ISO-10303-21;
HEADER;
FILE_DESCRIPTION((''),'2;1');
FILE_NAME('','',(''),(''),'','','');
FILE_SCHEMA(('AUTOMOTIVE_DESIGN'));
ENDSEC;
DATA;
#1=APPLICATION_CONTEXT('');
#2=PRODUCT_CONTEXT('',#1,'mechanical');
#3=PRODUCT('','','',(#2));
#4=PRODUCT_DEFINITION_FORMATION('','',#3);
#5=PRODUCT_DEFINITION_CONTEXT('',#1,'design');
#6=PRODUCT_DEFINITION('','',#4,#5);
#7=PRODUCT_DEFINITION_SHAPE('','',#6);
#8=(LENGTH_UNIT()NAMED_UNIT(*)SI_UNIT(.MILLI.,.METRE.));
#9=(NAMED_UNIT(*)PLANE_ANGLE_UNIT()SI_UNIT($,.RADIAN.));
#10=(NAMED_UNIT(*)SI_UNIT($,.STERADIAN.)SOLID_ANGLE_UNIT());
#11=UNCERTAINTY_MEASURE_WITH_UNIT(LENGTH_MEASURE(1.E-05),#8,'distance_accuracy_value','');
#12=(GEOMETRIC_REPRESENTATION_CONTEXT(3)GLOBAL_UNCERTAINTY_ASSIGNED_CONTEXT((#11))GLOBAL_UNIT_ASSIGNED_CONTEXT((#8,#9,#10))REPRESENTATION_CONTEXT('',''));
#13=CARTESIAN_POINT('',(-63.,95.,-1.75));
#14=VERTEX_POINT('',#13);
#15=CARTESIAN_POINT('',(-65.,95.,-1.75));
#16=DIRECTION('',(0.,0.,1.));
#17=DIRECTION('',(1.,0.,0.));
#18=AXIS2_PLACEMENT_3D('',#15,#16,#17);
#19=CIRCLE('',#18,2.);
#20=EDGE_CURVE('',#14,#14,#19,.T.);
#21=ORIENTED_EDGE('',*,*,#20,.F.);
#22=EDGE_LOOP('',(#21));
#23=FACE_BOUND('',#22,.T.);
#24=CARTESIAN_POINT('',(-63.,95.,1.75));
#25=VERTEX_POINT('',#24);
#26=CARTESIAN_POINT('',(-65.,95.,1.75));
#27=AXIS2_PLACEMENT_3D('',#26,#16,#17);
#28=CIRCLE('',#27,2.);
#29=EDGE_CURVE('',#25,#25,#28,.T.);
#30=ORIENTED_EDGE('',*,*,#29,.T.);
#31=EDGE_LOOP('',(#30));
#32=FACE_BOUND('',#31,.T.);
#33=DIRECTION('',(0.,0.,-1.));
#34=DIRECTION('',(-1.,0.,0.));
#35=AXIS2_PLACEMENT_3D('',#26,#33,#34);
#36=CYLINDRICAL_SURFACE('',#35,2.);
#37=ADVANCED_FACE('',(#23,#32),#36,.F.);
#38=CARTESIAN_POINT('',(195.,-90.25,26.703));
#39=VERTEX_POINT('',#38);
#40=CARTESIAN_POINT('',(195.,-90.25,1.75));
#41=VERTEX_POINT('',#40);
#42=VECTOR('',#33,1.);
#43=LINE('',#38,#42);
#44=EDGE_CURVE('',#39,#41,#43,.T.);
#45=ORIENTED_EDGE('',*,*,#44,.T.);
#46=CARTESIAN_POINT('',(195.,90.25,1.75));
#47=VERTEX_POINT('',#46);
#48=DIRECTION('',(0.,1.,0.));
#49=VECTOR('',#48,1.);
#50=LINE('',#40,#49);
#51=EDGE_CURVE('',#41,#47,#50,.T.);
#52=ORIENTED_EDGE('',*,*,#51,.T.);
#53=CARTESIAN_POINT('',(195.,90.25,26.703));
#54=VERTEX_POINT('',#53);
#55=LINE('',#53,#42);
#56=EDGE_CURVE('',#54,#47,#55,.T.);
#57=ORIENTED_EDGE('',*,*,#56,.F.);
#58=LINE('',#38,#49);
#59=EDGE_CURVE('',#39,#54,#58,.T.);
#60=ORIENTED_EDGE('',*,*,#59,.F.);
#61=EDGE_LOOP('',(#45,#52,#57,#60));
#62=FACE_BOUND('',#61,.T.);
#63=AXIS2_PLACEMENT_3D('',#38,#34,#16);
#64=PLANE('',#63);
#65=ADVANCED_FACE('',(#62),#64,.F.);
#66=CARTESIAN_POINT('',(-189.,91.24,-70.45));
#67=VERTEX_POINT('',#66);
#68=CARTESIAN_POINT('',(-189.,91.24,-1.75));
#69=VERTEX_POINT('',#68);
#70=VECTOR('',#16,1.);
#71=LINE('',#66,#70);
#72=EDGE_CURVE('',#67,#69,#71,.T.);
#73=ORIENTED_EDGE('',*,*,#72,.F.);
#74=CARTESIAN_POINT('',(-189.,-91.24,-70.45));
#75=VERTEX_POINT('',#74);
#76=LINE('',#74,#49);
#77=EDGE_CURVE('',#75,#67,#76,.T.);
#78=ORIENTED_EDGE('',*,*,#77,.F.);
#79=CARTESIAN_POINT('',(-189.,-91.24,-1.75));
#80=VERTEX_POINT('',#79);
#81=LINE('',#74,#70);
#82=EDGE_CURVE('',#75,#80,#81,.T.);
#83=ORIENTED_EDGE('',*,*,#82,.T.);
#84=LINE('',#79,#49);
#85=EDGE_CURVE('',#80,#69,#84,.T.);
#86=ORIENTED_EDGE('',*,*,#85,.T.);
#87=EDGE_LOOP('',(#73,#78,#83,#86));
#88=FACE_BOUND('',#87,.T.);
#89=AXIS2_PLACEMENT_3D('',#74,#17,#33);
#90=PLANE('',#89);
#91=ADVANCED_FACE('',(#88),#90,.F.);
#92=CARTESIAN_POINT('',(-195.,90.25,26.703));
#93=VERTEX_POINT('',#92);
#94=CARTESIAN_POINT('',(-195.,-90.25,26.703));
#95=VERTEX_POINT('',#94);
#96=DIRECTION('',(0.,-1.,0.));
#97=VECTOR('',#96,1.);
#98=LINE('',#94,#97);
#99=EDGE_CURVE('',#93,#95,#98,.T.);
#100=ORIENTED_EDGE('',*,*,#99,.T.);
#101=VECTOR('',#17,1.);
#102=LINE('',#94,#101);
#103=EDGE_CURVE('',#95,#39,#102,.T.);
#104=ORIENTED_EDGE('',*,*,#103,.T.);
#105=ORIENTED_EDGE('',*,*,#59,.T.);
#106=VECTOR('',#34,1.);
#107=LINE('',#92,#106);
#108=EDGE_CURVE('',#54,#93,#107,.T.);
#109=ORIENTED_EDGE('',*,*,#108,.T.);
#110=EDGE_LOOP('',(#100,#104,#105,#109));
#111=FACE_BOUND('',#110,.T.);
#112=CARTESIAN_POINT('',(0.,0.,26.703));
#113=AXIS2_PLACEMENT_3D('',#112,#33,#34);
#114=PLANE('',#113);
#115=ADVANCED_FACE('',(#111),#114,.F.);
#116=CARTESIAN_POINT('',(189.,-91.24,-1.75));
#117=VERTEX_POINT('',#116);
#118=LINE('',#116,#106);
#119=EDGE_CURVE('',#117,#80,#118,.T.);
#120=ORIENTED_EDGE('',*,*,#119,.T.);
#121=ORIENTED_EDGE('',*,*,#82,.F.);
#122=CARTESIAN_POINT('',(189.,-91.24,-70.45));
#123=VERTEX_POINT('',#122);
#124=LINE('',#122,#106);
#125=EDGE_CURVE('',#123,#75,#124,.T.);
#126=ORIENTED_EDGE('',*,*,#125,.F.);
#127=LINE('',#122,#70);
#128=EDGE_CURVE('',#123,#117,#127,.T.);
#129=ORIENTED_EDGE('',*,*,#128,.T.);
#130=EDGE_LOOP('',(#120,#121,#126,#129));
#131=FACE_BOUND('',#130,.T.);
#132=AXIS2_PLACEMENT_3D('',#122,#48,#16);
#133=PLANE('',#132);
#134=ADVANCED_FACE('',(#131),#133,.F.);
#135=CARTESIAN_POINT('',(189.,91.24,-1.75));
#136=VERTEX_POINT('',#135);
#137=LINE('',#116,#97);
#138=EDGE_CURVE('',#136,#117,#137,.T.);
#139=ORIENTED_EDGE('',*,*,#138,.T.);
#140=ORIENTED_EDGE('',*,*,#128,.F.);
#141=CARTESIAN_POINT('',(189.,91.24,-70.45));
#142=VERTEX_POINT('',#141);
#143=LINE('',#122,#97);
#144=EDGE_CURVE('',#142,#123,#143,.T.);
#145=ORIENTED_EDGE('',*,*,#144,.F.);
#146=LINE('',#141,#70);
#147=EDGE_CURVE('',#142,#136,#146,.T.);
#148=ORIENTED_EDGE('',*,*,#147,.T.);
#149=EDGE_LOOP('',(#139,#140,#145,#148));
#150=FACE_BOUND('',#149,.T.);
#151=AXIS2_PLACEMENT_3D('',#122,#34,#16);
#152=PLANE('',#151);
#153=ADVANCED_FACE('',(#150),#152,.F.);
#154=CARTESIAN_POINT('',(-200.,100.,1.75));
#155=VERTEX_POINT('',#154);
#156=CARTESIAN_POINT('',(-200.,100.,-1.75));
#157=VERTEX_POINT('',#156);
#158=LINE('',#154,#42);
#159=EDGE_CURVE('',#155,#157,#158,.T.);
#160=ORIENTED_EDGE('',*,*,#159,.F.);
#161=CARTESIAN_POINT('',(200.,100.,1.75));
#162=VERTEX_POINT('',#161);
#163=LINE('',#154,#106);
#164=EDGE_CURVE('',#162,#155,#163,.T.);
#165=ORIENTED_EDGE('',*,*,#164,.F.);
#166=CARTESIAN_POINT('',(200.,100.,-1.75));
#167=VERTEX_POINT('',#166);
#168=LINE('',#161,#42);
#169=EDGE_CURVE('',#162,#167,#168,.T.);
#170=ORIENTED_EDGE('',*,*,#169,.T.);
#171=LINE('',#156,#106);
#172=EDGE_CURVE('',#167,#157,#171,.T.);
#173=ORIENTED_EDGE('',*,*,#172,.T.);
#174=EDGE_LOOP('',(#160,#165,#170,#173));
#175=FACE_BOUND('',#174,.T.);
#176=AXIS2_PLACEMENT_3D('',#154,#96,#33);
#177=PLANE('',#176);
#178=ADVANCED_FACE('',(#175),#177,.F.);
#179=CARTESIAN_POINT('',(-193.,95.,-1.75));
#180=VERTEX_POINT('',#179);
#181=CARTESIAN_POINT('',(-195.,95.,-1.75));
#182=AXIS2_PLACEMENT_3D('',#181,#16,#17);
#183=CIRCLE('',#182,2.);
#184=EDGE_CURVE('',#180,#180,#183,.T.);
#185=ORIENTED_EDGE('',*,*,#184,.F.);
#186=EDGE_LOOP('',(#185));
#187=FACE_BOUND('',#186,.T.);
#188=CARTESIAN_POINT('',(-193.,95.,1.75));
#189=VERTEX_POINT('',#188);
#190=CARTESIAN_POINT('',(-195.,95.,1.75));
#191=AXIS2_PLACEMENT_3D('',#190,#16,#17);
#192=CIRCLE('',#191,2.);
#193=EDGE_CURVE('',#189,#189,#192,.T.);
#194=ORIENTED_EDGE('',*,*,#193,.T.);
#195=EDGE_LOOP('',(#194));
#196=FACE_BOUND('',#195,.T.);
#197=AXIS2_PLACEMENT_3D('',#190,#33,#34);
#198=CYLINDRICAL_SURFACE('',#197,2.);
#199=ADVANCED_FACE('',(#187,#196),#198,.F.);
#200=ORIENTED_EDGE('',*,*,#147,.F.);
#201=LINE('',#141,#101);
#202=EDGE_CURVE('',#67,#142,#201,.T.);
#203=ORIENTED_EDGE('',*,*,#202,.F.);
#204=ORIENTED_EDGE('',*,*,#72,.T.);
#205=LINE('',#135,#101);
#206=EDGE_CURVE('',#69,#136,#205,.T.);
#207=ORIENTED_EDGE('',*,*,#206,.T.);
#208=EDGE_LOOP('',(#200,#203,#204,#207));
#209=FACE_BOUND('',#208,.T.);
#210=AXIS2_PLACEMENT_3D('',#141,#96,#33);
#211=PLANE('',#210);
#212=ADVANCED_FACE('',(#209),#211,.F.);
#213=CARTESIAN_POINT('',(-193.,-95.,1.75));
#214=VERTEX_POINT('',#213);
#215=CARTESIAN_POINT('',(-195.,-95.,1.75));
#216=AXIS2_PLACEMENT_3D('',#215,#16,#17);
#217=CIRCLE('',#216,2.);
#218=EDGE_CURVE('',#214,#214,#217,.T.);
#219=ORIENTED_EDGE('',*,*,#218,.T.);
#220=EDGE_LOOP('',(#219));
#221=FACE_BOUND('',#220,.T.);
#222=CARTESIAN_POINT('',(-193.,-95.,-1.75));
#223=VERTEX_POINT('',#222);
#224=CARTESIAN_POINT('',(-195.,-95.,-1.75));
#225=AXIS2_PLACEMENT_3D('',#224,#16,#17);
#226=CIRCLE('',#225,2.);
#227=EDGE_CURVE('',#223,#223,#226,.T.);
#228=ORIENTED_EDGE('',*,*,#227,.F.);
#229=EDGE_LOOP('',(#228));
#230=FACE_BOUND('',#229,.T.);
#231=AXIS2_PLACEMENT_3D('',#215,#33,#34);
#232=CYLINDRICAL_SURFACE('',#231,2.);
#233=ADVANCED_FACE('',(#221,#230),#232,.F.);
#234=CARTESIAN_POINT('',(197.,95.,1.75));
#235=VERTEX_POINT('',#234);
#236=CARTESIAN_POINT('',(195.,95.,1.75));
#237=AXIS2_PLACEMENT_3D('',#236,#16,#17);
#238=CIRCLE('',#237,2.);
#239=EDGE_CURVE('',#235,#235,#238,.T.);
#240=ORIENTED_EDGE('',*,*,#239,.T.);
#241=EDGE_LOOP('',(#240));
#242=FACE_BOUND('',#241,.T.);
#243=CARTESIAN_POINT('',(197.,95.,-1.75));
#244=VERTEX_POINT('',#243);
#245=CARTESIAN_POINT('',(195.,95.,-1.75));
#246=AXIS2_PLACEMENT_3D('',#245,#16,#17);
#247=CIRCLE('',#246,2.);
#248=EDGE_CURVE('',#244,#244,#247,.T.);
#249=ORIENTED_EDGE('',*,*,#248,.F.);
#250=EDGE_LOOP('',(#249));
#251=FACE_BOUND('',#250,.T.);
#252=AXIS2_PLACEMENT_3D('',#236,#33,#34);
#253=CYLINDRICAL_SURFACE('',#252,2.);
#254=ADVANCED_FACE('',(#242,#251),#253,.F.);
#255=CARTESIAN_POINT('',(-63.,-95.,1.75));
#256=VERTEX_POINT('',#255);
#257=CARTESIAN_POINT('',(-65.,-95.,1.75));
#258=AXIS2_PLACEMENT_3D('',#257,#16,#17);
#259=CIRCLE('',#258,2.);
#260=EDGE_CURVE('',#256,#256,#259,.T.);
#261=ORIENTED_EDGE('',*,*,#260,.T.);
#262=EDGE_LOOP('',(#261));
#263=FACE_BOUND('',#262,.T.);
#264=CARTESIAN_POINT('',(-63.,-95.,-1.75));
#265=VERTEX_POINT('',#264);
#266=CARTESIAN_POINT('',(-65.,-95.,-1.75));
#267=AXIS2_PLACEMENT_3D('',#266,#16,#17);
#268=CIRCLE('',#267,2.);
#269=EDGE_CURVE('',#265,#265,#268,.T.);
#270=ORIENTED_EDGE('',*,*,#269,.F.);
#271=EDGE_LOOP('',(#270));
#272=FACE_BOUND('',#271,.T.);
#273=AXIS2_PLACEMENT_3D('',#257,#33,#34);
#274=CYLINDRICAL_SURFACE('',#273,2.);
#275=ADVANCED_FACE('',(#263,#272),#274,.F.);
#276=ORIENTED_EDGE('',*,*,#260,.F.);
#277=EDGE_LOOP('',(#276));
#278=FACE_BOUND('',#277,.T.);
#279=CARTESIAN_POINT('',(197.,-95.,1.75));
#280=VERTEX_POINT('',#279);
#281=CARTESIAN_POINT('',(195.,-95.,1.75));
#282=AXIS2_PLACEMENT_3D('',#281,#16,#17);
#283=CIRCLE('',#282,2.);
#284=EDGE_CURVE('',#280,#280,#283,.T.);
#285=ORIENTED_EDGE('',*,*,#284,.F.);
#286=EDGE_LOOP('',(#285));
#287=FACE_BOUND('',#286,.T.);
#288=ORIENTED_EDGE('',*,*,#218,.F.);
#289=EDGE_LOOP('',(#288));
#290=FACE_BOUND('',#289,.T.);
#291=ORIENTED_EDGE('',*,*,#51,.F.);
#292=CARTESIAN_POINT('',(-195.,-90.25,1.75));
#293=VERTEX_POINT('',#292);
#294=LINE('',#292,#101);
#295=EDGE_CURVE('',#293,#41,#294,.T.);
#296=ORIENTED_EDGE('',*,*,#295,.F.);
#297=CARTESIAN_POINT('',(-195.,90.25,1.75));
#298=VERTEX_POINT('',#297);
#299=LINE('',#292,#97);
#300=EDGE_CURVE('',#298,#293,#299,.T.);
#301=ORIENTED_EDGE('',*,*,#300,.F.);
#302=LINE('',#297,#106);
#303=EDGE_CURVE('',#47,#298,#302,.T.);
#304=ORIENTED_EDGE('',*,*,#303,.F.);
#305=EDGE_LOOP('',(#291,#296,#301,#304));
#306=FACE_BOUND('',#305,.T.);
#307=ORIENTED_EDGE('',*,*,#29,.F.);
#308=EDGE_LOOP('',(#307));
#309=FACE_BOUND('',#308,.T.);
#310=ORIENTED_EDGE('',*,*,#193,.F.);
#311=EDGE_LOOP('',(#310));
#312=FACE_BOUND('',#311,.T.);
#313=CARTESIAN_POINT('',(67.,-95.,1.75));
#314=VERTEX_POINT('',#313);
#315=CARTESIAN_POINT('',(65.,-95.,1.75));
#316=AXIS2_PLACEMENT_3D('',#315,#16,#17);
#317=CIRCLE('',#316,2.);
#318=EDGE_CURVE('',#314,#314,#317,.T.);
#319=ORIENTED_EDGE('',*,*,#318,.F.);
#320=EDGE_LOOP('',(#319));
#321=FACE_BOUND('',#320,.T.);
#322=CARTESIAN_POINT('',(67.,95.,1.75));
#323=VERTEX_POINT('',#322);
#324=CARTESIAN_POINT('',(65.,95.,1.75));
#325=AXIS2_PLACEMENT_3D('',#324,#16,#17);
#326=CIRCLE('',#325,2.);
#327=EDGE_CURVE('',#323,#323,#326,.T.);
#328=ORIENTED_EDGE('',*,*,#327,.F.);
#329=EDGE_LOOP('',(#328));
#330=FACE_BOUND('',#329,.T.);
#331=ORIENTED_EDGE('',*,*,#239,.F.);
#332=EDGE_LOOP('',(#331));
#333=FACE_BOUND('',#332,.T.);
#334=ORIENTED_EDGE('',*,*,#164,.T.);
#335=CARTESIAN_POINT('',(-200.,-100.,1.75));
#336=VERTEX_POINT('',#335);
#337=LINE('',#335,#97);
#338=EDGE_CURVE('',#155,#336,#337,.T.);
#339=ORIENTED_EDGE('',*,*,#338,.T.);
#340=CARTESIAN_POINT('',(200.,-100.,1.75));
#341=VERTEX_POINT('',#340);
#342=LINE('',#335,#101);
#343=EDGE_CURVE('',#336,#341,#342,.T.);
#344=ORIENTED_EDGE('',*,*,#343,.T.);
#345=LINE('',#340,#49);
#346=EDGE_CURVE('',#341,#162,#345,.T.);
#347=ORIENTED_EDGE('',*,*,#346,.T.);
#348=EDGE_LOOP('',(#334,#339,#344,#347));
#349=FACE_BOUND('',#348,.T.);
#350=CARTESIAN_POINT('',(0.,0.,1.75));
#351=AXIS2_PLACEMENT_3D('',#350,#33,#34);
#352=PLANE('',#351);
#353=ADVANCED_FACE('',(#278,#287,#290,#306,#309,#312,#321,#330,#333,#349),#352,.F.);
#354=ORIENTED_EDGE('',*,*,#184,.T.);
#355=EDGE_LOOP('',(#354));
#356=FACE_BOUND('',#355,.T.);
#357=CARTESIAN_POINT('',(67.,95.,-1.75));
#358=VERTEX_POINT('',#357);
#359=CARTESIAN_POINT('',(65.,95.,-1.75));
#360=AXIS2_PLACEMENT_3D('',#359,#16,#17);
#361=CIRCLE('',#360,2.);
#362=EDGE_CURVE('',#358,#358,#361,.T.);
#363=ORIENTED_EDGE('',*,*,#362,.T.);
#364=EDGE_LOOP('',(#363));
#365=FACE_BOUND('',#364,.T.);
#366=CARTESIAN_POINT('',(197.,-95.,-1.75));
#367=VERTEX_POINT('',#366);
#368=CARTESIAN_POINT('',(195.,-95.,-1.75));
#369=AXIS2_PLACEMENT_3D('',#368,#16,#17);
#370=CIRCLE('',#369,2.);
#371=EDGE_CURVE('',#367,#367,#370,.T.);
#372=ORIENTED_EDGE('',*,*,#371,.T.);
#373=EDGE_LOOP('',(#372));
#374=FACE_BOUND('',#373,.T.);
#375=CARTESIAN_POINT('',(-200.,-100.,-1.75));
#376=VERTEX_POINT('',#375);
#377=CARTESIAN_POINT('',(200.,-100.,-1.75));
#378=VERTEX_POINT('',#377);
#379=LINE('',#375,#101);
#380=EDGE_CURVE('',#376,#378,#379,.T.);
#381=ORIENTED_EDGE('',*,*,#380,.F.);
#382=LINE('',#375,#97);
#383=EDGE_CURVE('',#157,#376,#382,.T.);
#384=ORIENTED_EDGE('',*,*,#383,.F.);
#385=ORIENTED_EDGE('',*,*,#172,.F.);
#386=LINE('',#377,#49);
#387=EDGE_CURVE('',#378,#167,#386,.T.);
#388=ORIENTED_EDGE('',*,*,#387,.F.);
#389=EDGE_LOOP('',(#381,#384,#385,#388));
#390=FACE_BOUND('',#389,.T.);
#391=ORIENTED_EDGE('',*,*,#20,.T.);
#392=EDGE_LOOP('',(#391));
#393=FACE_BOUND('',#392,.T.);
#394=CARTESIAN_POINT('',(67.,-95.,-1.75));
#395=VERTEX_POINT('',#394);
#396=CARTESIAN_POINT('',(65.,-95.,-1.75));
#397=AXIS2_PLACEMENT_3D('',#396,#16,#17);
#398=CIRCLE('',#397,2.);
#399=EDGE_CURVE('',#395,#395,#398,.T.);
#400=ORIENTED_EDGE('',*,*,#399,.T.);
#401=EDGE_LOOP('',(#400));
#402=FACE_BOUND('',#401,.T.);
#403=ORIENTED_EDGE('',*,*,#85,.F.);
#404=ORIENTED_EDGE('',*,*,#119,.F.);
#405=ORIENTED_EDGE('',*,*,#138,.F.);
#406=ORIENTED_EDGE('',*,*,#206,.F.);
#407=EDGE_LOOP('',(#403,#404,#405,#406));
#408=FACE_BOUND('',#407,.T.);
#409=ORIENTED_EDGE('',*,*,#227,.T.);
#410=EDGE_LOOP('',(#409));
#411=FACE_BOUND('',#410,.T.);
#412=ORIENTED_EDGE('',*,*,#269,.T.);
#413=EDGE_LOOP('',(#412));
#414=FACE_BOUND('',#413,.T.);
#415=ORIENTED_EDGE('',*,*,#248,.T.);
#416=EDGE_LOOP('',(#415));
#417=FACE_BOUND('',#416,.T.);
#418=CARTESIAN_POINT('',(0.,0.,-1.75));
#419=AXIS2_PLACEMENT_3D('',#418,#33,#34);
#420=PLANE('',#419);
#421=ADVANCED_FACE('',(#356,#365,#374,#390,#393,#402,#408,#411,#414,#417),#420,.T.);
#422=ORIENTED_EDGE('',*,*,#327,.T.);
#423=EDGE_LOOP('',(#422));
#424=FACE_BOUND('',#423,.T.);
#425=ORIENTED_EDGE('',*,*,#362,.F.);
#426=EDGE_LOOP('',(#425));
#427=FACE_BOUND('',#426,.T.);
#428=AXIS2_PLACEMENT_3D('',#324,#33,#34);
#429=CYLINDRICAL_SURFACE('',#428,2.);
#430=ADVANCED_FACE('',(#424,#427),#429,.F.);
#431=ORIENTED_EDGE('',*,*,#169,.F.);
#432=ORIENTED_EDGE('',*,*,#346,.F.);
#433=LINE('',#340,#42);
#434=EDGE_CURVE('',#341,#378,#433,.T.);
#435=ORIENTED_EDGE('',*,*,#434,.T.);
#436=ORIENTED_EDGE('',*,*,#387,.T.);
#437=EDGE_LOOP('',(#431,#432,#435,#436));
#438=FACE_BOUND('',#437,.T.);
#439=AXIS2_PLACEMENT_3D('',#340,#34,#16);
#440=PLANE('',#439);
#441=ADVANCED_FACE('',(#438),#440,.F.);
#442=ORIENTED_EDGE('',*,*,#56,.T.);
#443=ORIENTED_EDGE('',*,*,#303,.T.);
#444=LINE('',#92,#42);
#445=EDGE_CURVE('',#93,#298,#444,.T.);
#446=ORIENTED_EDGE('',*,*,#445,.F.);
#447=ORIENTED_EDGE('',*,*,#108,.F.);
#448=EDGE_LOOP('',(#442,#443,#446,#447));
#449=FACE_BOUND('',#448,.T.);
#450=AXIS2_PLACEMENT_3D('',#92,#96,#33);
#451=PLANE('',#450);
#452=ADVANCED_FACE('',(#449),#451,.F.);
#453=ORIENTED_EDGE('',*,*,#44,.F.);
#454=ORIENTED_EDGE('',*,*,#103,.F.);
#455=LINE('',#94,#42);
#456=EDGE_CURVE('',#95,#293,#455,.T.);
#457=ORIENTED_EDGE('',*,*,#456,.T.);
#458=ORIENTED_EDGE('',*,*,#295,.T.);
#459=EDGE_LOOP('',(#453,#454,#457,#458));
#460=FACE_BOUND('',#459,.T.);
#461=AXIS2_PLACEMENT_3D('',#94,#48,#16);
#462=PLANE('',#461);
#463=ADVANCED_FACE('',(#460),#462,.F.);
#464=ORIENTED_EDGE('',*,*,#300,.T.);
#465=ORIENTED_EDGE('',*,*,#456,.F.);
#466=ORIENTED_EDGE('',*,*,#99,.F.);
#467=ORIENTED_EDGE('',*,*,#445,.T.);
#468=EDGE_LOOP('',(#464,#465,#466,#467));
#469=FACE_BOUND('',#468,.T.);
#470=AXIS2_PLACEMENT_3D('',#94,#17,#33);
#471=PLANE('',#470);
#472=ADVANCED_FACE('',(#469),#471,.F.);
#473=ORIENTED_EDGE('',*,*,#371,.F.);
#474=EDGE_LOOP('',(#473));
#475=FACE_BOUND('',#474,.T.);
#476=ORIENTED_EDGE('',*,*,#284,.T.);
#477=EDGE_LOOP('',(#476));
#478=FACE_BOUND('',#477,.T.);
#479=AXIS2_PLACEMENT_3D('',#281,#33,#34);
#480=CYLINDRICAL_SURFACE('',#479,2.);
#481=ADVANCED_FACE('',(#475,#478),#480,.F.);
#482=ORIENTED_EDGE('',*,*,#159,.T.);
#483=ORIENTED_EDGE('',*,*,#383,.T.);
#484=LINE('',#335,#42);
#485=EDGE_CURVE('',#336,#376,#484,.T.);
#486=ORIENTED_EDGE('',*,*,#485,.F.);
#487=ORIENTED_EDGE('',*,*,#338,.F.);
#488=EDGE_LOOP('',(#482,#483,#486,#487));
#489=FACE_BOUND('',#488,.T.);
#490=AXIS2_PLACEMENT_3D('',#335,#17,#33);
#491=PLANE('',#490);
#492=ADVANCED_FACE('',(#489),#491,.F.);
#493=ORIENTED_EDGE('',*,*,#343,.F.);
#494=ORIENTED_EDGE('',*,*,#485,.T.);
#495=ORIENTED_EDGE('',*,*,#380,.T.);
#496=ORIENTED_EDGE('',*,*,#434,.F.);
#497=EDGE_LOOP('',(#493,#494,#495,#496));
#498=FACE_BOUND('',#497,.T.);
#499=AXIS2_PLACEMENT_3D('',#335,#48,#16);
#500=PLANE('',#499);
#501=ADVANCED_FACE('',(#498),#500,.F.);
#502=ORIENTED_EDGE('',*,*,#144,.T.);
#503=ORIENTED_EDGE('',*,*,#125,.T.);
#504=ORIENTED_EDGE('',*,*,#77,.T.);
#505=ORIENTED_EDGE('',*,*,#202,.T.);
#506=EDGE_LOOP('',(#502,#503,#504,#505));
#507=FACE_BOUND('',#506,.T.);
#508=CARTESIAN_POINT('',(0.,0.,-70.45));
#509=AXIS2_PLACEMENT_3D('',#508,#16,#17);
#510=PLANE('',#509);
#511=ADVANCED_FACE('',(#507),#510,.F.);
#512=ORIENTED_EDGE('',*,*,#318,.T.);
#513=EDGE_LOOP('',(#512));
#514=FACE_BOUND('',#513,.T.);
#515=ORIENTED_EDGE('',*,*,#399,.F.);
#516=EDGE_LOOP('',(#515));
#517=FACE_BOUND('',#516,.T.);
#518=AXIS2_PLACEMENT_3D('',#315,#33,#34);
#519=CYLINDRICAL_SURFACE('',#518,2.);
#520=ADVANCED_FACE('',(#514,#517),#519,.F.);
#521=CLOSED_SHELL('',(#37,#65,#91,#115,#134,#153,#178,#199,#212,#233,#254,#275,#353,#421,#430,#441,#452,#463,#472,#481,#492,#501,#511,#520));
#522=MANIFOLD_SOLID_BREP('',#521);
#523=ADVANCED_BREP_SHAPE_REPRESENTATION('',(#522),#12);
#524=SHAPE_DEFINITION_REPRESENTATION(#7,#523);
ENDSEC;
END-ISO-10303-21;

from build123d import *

# Parameters (mm, degrees)
IZIM1_W                     = 400
IZIM1_H                     = 200
IZIM1_R                     = 2
Y_KSEKLIK_EKSTR_ZYON1_DEPTH = 1.75
IZIM2_W                     = 390
IZIM2_H                     = 180.5
Y_KSEKLIK_EKSTR_ZYON2_DEPTH = 24.953
IZIM4_W                     = 378
IZIM4_H                     = 182.48
Y_KSEKLIK_EKSTR_ZYON4_DEPTH = 68.7


with BuildPart() as part:
    # Çizim1 → Yükseklik-Ekstrüzyon1 (new, symmetric)
    with BuildSketch(Plane.XY):
        Rectangle(IZIM1_W, IZIM1_H)
        with Locations((-195, 95)):
            Circle(IZIM1_R, mode=Mode.SUBTRACT)
        with Locations((-65, 95)):
            Circle(IZIM1_R, mode=Mode.SUBTRACT)
        with Locations((65, 95)):
            Circle(IZIM1_R, mode=Mode.SUBTRACT)
        with Locations((195, 95)):
            Circle(IZIM1_R, mode=Mode.SUBTRACT)
        with Locations((-65, -95)):
            Circle(IZIM1_R, mode=Mode.SUBTRACT)
        with Locations((65, -95)):
            Circle(IZIM1_R, mode=Mode.SUBTRACT)
        with Locations((195, -95)):
            Circle(IZIM1_R, mode=Mode.SUBTRACT)
        with Locations((-195, -95)):
            Circle(IZIM1_R, mode=Mode.SUBTRACT)
    extrude(amount=Y_KSEKLIK_EKSTR_ZYON1_DEPTH, both=True)

    # Çizim2 → Yükseklik-Ekstrüzyon2 (add)
    with BuildSketch(Plane.XY.offset(1.75)):
        Rectangle(IZIM2_W, IZIM2_H)
    extrude(amount=Y_KSEKLIK_EKSTR_ZYON2_DEPTH)

    # Çizim4 → Yükseklik-Ekstrüzyon4 (add)
    with BuildSketch(Plane(origin=(0, 0, -1.75), x_dir=(-1, 0, 0), z_dir=(0, 0, -1))):
        Rectangle(IZIM4_W, IZIM4_H)
    extrude(amount=Y_KSEKLIK_EKSTR_ZYON4_DEPTH)


solid = part.part
